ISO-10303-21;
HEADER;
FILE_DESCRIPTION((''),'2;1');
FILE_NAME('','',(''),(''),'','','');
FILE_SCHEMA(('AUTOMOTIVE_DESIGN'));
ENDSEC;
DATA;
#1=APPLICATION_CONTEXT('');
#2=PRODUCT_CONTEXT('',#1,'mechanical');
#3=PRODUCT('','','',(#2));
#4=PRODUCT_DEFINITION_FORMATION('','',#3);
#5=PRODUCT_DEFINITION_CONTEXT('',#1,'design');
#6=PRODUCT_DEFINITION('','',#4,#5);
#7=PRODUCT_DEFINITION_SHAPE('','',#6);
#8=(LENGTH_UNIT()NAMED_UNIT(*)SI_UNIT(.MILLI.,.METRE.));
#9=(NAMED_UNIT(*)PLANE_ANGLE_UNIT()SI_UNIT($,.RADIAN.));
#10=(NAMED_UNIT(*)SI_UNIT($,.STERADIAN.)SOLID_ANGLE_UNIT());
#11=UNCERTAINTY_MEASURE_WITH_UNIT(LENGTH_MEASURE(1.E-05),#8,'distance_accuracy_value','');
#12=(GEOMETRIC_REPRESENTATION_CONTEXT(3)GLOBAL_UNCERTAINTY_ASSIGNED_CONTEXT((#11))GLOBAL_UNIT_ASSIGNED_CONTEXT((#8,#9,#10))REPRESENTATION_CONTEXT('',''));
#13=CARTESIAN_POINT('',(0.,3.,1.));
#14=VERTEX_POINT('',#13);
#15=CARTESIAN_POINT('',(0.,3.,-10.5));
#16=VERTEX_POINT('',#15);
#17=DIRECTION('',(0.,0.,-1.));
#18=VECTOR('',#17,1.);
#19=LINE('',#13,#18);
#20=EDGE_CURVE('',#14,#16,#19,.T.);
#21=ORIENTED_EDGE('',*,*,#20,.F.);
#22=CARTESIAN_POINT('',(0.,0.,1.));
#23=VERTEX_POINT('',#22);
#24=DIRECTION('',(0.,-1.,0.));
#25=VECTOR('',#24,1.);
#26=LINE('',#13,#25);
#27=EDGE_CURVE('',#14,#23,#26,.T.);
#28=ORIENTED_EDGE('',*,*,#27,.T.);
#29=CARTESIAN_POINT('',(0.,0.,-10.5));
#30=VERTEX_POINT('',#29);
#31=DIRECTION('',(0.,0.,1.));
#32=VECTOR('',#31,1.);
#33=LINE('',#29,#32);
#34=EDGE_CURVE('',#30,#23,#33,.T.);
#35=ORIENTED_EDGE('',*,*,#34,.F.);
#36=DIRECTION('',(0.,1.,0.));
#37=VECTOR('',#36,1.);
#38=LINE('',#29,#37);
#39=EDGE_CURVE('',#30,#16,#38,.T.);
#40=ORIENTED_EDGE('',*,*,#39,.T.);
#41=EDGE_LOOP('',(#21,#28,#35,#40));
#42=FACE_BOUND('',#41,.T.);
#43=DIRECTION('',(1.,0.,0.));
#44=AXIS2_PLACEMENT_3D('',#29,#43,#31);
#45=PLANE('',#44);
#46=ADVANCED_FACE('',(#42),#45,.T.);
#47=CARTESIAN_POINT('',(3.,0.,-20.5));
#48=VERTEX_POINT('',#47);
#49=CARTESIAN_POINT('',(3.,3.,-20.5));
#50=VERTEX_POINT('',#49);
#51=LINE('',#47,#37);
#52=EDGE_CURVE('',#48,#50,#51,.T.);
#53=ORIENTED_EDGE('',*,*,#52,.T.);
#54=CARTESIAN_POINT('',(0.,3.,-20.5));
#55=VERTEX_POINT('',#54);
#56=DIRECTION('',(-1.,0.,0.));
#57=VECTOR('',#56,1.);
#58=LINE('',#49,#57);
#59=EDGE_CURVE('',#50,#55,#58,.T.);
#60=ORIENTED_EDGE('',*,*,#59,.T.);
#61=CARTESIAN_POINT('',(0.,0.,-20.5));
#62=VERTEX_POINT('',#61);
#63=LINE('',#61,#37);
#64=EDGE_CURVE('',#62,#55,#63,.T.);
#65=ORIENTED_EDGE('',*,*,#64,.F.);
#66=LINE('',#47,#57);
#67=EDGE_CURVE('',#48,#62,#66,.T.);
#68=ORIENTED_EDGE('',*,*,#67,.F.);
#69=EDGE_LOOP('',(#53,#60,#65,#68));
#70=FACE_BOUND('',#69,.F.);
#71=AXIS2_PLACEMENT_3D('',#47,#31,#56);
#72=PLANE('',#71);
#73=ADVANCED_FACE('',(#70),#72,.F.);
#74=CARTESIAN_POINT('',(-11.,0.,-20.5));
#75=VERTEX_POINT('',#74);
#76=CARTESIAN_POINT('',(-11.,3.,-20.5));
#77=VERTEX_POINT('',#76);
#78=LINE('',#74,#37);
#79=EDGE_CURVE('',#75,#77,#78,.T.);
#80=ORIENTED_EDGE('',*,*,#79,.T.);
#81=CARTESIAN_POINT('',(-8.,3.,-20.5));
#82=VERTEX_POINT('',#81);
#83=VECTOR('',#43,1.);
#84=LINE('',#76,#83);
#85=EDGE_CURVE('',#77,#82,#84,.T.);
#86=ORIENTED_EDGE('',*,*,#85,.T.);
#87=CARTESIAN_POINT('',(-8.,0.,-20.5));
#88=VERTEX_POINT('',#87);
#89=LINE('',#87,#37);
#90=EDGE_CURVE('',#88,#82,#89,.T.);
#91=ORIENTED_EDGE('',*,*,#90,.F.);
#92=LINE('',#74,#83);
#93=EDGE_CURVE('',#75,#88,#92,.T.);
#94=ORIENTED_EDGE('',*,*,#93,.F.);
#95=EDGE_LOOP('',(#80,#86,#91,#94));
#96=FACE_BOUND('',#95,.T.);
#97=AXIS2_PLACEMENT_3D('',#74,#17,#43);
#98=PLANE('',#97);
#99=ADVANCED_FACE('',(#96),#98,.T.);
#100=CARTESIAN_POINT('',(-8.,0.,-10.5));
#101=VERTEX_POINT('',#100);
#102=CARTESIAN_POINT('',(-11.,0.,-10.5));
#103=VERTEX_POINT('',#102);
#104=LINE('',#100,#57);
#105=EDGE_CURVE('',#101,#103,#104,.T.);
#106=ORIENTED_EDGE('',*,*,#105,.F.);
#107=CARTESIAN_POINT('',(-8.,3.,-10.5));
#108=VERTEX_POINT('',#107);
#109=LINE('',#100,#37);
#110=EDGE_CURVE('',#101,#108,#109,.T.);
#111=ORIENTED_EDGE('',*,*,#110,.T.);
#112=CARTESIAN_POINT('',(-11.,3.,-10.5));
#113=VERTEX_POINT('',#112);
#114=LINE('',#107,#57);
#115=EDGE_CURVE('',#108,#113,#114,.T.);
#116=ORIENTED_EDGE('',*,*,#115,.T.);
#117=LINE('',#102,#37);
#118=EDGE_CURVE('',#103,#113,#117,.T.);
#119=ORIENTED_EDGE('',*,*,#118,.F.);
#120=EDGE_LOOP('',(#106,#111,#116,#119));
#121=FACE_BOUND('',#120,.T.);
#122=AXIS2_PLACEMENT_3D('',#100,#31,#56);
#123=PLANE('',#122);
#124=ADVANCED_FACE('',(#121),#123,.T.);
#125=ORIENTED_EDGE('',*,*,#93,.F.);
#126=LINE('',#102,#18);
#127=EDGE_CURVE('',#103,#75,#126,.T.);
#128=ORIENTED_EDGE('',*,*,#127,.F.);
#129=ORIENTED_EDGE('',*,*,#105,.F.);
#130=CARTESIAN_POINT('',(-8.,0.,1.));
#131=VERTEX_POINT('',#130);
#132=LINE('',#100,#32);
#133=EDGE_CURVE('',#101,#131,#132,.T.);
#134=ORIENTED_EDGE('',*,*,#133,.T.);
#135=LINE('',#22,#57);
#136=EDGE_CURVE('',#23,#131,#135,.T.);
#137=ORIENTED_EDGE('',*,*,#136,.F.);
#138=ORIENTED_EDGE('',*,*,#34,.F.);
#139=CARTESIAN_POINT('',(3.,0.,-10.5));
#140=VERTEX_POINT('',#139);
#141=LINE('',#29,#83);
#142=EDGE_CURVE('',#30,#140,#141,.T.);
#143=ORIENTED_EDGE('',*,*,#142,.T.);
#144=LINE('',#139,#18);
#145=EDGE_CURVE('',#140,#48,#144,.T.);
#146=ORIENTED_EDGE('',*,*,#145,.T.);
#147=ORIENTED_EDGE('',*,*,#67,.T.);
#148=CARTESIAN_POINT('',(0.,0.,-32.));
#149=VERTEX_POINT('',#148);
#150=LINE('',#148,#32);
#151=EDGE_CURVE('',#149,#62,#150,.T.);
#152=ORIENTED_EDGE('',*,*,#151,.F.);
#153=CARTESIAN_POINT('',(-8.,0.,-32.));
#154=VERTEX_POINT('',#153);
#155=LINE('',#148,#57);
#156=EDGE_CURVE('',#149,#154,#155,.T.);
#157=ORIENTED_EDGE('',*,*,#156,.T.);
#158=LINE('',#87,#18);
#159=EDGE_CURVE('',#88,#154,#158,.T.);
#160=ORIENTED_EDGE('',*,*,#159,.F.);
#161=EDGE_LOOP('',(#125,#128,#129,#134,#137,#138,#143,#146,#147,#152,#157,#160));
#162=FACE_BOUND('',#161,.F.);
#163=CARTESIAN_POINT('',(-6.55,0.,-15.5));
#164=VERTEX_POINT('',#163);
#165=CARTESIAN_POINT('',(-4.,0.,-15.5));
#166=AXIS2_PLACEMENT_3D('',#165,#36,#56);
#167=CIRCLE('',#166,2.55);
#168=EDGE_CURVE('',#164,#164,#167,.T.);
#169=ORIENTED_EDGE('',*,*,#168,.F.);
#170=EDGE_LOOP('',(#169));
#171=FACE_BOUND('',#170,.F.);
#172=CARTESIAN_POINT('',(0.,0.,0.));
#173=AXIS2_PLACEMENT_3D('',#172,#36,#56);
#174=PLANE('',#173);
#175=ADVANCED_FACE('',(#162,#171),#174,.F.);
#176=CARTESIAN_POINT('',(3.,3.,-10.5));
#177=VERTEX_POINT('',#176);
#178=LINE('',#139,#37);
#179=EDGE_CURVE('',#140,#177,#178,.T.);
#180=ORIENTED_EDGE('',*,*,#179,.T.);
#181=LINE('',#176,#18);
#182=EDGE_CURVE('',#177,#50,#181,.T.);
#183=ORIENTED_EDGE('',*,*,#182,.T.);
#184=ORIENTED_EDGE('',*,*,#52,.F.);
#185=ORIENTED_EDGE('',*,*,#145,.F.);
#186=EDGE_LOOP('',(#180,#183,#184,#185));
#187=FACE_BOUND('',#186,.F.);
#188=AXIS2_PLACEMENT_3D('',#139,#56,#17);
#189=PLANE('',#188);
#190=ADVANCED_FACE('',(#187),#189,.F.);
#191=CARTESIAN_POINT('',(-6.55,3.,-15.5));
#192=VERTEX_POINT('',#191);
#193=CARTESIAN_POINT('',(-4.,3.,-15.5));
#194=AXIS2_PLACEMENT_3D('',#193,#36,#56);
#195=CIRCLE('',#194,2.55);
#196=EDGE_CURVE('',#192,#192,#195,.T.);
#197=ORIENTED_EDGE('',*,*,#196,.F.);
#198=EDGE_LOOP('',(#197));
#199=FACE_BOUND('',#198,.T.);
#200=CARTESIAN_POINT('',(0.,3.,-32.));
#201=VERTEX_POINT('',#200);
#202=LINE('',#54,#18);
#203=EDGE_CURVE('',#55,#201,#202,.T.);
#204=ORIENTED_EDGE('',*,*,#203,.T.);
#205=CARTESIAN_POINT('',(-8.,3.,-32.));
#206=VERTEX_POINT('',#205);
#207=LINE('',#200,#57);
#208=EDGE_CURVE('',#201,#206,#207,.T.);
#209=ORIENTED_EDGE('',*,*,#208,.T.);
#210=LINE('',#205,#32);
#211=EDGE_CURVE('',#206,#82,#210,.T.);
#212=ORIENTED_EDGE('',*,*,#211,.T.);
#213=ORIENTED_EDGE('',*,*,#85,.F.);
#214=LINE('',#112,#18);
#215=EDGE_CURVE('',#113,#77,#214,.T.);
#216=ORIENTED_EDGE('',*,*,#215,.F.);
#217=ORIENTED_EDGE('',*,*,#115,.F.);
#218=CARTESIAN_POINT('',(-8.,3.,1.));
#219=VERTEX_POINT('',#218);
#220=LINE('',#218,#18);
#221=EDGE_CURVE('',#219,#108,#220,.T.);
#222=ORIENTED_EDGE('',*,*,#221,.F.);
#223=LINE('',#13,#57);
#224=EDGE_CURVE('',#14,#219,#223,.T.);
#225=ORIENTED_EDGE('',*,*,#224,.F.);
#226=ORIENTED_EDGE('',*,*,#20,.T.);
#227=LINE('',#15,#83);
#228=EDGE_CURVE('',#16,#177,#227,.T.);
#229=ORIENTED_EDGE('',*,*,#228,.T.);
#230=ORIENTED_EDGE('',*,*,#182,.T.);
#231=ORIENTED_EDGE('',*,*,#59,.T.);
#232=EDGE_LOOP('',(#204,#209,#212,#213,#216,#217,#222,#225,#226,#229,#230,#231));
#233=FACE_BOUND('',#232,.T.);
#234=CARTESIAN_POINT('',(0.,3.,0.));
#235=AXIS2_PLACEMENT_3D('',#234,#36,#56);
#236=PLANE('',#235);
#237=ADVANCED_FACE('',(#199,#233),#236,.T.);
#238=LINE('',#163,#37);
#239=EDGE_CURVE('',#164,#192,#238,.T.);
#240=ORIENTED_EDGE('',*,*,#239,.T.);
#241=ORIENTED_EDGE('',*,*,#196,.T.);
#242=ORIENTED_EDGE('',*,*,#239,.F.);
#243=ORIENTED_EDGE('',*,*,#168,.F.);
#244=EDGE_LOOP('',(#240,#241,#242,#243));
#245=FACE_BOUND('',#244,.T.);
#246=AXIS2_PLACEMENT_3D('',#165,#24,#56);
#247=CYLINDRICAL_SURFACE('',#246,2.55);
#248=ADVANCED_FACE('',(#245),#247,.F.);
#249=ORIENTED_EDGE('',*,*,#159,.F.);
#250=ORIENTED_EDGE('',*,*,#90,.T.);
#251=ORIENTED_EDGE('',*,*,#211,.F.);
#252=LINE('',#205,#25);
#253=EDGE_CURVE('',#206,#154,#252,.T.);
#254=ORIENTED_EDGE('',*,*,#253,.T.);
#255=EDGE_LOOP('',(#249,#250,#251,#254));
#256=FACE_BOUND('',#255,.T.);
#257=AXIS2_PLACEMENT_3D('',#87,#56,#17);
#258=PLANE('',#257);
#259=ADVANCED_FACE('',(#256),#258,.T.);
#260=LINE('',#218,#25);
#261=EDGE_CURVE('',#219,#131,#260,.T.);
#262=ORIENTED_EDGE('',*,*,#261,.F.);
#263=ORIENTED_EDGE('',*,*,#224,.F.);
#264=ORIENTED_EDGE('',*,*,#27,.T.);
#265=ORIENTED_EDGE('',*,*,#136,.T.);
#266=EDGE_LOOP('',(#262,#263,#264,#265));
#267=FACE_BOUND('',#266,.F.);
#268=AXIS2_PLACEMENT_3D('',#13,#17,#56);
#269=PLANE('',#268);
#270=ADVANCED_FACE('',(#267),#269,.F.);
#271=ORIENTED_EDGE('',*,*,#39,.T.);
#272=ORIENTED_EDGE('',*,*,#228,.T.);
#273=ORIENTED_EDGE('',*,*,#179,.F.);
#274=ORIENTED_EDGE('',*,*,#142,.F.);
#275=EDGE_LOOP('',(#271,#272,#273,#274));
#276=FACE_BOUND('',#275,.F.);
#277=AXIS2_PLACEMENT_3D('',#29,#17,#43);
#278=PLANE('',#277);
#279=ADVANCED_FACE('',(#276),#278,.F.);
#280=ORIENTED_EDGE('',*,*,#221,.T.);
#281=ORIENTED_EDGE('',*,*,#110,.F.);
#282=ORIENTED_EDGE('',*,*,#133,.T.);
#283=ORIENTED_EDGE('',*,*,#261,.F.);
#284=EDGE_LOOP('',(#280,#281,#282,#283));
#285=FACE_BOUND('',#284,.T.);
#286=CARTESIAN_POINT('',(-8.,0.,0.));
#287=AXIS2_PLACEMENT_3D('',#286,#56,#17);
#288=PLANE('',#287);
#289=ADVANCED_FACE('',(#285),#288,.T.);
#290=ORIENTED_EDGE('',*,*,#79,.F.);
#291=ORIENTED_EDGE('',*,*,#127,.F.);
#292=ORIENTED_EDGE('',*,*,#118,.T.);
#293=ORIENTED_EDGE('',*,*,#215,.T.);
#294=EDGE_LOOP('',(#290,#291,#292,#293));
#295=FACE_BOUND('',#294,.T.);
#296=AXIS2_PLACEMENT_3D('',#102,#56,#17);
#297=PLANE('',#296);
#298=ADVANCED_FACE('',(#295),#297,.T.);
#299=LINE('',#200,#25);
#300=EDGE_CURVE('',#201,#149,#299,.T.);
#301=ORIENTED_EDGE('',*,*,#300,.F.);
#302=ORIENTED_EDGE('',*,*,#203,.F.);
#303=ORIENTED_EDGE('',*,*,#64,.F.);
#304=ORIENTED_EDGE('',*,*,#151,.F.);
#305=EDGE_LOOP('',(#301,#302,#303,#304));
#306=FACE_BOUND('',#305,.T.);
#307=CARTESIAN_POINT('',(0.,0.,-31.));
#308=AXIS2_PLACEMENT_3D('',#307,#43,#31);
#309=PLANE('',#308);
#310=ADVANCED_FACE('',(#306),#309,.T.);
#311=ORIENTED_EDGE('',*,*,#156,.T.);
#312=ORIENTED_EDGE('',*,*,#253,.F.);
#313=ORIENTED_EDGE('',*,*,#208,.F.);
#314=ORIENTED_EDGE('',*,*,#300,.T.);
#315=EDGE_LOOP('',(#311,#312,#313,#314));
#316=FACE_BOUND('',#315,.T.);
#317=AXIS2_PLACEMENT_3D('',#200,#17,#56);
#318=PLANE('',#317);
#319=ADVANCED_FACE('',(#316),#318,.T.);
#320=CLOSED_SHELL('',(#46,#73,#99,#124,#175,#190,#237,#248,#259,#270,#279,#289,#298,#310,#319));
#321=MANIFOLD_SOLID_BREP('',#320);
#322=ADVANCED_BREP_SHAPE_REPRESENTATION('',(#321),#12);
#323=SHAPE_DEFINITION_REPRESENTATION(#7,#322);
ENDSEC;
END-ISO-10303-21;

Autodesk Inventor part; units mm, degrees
ref_plane "YZ Plane" through (0, 0, 0) normal (1, 0, 0) x (0, 1, 0)
ref_plane "XZ Plane" through (0, 0, 0) normal (0, 1, 0) x (-1, 0, 0)
ref_plane "XY Plane" through (0, 0, 0) normal (0, 0, 1) x (1, 0, 0)
sketch "Sketch1" plane through (0, 0, 0) normal (0, 1, 0) x (-1, 0, 0)
  line L0 (0, 0) -> (8, 0)
  line L1 (8, -31) -> (0, -31)
  circle A0 centre (4, -15.5) radius 2.55
  line L2 (8, 0) -> (8, -10.5)
  line L3 (8, -10.5) -> (11, -10.5)
  line L4 (11, -10.5) -> (11, -20.5)
  line L5 (11, -20.5) -> (8, -20.5)
  line L6 (8, 0) -> (8, -10.5)
  line L7 (8, -20.5) -> (8, -31)
  line L8 (4, 0) -> (4, -15.5) construction
  line L9 (0, -10.5) -> (-3, -10.5)
  line L10 (-3, -10.5) -> (-3, -20.5)
  line L11 (-3, -20.5) -> (0, -20.5)
  line L12 (0, -31) -> (0, -20.5)
  line L13 (0, -10.5) -> (0, 0)
  dimension "d0" = 8
  dimension "d1" = 31
  dimension "d2" = 5.1
  dimension "d3" = 10.5
  dimension "d4" = 3
  dimension "d5" = 10
extrude "Extrusion1" add sketch "Sketch1" along normal blind 3
sketch "Sketch2" plane through (0, 3, 0) normal (0, 1, 0) x (1, 0, 0)
  line L0 (0, 0) -> (0, 10.5) projected
  line L1 (0, 0) -> (0, -1)
  line L2 (0, -1) -> (-8, -1)
  line L3 (-8, 0) -> (0, 0) projected
  line L4 (-8, -1) -> (-8, 0)
  line L5 (0, 20.5) -> (0, 31) projected
  line L6 (0, 31) -> (0, 32)
  line L7 (0, 32) -> (-8, 32)
  line L8 (-8, 32) -> (-8, 31)
  line L9 (-8, 31) -> (-8, 20.5) projected
  line L10 (0, 31) -> (-8, 31) projected
  line L11 (-8, 31) -> (0, 31)
  dimension "d8" = 1
  dimension "d9" = 1
extrude "Extrusion2" add sketch "Sketch2" against normal up to surface (3 mm away)
properties part number "SoporteFotos"
